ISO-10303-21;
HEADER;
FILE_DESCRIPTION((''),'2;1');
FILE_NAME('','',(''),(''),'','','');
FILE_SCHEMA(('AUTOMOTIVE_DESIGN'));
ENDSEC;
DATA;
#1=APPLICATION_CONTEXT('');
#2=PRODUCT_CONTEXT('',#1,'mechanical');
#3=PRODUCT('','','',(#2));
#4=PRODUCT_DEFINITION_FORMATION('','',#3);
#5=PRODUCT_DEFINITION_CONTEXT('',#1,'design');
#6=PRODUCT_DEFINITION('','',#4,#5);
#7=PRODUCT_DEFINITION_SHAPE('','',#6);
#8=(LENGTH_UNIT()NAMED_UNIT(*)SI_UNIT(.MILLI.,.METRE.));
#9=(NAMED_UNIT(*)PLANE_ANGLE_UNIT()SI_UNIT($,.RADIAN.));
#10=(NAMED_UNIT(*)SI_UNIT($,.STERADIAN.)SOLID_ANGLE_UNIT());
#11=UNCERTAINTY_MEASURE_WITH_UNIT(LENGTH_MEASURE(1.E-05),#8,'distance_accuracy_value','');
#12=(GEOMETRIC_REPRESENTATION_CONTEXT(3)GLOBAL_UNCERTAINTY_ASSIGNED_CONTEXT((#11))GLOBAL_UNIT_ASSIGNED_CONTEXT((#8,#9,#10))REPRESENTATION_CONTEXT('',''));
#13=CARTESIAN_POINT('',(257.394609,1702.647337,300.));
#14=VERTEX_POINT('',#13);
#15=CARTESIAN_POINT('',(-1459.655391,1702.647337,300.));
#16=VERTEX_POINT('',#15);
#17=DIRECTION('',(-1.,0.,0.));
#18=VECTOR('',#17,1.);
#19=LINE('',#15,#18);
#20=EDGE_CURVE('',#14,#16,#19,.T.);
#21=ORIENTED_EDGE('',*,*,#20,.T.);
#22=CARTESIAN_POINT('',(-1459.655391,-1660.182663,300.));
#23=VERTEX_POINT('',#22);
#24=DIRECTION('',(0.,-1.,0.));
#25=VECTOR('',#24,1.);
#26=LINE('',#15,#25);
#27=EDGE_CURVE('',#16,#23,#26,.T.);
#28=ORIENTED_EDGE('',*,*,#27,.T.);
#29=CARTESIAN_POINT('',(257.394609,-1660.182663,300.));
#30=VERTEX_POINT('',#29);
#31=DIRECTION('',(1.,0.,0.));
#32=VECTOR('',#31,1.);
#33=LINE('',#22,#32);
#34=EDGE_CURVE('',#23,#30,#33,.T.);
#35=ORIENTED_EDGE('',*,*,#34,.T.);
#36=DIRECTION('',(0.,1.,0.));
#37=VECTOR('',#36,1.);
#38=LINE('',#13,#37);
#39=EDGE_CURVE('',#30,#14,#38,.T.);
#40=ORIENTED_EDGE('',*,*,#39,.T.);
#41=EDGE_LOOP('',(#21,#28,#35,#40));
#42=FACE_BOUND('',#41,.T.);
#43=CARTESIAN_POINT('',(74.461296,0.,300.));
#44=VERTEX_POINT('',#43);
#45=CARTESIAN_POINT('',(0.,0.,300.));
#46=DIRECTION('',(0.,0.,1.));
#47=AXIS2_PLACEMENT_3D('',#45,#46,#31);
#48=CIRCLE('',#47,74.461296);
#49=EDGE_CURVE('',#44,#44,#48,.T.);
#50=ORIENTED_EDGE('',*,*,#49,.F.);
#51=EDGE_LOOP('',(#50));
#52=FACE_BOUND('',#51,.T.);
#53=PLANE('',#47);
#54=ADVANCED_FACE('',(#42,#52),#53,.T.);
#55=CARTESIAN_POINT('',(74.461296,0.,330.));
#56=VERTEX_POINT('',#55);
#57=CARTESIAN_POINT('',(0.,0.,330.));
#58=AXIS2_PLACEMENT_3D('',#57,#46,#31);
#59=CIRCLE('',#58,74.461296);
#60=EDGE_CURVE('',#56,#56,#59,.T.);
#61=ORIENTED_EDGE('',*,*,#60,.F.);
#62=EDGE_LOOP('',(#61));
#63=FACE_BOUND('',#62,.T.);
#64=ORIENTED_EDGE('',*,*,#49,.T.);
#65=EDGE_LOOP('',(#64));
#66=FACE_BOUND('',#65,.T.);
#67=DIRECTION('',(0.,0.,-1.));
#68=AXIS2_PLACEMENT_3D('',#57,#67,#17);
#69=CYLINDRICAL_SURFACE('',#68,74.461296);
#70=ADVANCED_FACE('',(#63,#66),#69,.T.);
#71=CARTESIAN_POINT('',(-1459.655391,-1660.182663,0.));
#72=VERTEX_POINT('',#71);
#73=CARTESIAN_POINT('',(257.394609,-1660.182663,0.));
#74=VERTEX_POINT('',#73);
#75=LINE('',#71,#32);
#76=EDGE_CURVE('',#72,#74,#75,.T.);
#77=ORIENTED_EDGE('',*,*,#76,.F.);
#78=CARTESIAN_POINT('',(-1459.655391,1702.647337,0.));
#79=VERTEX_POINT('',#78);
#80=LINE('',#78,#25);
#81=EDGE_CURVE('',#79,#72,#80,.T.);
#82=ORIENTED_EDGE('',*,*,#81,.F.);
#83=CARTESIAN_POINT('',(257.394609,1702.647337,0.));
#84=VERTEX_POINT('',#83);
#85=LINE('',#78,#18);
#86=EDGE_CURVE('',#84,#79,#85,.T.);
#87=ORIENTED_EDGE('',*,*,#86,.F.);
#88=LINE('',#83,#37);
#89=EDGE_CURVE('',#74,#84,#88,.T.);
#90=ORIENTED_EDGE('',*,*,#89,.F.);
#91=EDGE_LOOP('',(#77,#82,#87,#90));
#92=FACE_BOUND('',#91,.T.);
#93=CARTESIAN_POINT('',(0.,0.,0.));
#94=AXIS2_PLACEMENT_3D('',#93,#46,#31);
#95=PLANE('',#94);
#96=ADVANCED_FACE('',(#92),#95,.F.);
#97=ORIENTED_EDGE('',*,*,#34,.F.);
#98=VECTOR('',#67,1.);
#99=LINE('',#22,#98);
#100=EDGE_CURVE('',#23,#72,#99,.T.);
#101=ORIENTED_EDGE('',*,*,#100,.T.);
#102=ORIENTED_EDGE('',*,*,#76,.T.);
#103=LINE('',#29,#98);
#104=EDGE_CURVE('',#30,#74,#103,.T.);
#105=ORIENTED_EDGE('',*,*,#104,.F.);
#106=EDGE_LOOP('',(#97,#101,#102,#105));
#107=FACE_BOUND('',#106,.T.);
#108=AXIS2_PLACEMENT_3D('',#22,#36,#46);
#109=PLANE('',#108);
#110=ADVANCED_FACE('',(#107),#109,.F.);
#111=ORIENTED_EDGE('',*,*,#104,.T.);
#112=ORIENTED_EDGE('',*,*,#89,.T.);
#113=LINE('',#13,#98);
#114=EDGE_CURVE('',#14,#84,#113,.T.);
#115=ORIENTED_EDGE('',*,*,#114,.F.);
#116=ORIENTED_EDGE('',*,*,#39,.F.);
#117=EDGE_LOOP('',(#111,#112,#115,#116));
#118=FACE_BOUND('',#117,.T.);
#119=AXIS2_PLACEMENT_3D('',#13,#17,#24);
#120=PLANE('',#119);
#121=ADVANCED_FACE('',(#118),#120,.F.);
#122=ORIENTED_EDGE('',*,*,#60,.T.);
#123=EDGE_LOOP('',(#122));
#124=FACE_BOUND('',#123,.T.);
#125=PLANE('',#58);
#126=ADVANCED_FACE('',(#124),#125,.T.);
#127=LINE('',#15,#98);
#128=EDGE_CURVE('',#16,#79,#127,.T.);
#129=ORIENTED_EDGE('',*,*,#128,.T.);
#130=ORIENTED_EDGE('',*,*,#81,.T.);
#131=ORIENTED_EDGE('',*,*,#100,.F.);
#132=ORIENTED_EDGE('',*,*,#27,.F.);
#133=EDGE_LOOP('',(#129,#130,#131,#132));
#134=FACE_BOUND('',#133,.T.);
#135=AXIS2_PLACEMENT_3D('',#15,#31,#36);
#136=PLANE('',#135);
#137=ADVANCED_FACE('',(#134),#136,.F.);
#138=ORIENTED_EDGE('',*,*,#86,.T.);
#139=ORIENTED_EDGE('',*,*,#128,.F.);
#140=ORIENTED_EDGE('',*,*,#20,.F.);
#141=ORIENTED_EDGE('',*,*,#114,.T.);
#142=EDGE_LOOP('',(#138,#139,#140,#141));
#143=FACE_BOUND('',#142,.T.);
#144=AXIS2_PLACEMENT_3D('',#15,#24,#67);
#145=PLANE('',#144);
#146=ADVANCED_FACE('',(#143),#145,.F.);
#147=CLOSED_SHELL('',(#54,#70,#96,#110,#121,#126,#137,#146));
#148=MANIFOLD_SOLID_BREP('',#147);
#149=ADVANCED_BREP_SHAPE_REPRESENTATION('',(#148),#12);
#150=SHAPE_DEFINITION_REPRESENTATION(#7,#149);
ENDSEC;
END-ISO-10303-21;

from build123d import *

# Parameters (mm, degrees)
CROQUIS1_W              = 1717.05
CROQUIS1_H              = 3362.83
SALIENTE_EXTRUIR1_DEPTH = 300
CROQUIS2_R              = 74.461295819
SALIENTE_EXTRUIR2_DEPTH = 30


with BuildPart() as part:
    # Croquis1 → Saliente-Extruir1 (new body)
    with BuildSketch(Plane.XY):
        with Locations((-601.130390599, 21.232337461)):
            Rectangle(CROQUIS1_W, CROQUIS1_H)
    extrude(amount=SALIENTE_EXTRUIR1_DEPTH)

    # Croquis2 → Saliente-Extruir2 (add)
    with BuildSketch(Plane.XY.offset(300)):
        Circle(CROQUIS2_R)
    extrude(amount=SALIENTE_EXTRUIR2_DEPTH)


solid = part.part
